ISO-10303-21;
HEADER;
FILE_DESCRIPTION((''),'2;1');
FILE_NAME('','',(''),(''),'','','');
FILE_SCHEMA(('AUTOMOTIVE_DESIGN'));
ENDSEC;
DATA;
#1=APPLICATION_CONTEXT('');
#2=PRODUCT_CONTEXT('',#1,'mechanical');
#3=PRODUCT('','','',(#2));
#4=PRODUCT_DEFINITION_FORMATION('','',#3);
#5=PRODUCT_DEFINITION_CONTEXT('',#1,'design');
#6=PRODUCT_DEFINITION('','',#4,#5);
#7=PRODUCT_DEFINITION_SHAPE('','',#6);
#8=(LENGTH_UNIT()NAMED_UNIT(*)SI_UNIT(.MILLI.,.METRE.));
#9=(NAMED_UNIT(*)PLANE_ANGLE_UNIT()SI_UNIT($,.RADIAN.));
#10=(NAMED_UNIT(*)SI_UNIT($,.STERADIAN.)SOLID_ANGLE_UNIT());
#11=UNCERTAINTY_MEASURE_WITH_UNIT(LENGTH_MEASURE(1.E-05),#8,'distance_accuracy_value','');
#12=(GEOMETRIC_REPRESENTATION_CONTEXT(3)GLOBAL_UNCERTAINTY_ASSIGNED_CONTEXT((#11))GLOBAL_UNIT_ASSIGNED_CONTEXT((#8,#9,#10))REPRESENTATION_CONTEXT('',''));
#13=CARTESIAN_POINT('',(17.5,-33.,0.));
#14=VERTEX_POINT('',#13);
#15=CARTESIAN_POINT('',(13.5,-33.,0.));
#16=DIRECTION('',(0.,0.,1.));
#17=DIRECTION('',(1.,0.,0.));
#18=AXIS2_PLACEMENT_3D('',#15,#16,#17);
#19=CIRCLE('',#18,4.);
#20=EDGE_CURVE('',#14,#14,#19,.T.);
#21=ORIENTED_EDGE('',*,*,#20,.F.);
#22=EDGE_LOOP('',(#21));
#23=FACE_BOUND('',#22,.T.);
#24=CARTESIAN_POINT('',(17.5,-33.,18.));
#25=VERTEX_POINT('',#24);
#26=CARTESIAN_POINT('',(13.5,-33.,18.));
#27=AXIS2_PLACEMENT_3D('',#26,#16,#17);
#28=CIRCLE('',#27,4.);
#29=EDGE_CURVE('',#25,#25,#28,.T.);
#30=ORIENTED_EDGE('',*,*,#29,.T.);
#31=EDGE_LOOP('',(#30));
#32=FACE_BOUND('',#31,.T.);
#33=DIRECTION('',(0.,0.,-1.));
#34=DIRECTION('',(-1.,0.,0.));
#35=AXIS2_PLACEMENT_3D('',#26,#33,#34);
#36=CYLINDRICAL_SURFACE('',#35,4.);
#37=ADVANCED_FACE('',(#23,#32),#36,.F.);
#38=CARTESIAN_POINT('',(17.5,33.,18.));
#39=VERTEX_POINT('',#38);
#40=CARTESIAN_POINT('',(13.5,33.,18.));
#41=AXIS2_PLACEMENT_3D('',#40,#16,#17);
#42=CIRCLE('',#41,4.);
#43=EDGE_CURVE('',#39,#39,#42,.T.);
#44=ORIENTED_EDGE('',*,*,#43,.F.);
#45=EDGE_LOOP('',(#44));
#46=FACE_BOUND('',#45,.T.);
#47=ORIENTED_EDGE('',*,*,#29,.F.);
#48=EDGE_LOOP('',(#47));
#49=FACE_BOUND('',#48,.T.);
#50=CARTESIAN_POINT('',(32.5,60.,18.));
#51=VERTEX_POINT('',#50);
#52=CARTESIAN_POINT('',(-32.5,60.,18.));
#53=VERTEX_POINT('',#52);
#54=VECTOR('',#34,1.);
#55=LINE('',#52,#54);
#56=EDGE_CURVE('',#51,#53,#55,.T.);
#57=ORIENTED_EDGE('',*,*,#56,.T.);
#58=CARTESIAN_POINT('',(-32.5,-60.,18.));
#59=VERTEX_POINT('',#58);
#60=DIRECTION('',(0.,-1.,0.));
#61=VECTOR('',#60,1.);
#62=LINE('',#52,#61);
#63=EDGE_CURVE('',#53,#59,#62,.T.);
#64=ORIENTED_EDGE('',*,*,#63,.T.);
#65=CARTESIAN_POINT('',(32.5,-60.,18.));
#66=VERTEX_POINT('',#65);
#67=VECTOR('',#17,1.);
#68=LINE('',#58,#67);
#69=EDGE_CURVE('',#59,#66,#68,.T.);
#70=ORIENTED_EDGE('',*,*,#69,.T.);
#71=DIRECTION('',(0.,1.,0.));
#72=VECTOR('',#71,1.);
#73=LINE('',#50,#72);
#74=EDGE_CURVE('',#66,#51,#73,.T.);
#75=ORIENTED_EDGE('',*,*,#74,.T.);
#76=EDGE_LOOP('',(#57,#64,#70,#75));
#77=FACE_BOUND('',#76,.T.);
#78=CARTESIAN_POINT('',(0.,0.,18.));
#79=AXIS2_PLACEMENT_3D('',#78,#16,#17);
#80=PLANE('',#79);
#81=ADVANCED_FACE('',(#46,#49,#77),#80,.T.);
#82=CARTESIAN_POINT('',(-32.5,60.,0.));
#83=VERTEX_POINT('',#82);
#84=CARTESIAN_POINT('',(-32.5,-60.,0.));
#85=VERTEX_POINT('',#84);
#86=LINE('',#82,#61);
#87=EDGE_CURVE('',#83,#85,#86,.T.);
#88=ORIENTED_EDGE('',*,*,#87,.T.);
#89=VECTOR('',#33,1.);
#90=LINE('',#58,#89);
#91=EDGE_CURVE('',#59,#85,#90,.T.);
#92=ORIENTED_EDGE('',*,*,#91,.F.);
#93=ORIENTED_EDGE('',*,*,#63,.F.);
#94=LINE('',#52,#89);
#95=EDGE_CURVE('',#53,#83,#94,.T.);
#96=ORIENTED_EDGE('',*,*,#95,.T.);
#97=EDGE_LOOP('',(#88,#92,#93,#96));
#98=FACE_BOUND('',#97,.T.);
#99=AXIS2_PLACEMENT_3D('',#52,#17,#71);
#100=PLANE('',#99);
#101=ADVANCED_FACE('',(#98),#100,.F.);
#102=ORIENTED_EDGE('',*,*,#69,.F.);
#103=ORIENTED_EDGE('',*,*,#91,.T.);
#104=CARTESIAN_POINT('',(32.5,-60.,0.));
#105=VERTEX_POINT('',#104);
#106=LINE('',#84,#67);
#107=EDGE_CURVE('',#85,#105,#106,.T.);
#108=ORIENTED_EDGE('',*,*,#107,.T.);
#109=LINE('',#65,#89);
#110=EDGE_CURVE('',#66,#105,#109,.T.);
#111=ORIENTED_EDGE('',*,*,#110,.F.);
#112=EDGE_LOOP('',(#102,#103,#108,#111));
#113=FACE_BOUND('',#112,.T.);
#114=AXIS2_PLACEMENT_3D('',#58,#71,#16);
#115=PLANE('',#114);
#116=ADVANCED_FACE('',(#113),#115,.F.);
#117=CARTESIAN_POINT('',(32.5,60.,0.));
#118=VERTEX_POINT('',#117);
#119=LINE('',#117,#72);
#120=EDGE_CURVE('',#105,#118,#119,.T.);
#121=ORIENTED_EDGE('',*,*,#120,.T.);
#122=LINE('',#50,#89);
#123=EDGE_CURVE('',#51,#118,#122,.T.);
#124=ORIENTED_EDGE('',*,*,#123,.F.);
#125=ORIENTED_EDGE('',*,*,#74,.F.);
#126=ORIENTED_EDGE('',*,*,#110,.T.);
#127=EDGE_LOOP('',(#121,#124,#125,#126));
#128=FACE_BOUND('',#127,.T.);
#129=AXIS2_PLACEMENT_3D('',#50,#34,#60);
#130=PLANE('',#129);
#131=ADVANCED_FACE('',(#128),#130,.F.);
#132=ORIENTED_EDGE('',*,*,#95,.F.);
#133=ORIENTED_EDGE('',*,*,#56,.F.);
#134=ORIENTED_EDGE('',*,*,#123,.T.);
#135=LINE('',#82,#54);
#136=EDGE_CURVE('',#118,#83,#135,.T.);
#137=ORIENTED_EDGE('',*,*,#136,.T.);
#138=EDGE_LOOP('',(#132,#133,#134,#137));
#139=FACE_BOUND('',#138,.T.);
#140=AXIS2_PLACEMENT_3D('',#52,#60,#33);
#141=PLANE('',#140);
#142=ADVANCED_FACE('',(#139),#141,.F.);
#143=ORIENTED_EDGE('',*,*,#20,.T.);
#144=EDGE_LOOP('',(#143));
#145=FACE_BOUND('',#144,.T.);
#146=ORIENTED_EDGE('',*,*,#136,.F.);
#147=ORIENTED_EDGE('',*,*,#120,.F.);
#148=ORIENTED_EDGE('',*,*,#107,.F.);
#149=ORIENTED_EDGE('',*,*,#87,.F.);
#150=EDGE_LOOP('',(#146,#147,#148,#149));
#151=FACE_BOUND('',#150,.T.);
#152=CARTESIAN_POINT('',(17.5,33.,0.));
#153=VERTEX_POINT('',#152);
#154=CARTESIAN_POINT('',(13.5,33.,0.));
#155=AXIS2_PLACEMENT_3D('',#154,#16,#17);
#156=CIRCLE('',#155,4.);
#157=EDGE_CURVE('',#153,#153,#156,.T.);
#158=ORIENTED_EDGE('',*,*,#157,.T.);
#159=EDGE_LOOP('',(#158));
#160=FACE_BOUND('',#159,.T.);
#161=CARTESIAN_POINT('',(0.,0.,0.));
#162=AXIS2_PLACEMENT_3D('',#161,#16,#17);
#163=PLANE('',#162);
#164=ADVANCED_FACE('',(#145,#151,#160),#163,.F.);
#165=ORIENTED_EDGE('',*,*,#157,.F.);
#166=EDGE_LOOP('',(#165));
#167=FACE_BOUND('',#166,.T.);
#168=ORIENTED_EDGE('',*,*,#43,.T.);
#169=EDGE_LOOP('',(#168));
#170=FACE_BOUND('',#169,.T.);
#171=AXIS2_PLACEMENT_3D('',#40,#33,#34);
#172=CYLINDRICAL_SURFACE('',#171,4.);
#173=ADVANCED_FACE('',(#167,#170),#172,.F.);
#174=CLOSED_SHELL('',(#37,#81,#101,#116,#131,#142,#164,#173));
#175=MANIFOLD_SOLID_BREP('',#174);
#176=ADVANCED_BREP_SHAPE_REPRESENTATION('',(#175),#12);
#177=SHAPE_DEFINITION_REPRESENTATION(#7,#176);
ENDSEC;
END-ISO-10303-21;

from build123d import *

# Parameters (mm, degrees)
SKETCH1_W           = 65
SKETCH1_H           = 120
SKETCH1_R           = 4
BOSS_EXTRUDE1_DEPTH = 18


with BuildPart() as part:
    # Sketch1 → Boss-Extrude1 (new body)
    with BuildSketch(Plane.XY):
        Rectangle(SKETCH1_W, SKETCH1_H)
        with Locations((13.5, 33)):
            Circle(SKETCH1_R, mode=Mode.SUBTRACT)
        with Locations((13.5, -33)):
            Circle(SKETCH1_R, mode=Mode.SUBTRACT)
    extrude(amount=BOSS_EXTRUDE1_DEPTH)


solid = part.part
